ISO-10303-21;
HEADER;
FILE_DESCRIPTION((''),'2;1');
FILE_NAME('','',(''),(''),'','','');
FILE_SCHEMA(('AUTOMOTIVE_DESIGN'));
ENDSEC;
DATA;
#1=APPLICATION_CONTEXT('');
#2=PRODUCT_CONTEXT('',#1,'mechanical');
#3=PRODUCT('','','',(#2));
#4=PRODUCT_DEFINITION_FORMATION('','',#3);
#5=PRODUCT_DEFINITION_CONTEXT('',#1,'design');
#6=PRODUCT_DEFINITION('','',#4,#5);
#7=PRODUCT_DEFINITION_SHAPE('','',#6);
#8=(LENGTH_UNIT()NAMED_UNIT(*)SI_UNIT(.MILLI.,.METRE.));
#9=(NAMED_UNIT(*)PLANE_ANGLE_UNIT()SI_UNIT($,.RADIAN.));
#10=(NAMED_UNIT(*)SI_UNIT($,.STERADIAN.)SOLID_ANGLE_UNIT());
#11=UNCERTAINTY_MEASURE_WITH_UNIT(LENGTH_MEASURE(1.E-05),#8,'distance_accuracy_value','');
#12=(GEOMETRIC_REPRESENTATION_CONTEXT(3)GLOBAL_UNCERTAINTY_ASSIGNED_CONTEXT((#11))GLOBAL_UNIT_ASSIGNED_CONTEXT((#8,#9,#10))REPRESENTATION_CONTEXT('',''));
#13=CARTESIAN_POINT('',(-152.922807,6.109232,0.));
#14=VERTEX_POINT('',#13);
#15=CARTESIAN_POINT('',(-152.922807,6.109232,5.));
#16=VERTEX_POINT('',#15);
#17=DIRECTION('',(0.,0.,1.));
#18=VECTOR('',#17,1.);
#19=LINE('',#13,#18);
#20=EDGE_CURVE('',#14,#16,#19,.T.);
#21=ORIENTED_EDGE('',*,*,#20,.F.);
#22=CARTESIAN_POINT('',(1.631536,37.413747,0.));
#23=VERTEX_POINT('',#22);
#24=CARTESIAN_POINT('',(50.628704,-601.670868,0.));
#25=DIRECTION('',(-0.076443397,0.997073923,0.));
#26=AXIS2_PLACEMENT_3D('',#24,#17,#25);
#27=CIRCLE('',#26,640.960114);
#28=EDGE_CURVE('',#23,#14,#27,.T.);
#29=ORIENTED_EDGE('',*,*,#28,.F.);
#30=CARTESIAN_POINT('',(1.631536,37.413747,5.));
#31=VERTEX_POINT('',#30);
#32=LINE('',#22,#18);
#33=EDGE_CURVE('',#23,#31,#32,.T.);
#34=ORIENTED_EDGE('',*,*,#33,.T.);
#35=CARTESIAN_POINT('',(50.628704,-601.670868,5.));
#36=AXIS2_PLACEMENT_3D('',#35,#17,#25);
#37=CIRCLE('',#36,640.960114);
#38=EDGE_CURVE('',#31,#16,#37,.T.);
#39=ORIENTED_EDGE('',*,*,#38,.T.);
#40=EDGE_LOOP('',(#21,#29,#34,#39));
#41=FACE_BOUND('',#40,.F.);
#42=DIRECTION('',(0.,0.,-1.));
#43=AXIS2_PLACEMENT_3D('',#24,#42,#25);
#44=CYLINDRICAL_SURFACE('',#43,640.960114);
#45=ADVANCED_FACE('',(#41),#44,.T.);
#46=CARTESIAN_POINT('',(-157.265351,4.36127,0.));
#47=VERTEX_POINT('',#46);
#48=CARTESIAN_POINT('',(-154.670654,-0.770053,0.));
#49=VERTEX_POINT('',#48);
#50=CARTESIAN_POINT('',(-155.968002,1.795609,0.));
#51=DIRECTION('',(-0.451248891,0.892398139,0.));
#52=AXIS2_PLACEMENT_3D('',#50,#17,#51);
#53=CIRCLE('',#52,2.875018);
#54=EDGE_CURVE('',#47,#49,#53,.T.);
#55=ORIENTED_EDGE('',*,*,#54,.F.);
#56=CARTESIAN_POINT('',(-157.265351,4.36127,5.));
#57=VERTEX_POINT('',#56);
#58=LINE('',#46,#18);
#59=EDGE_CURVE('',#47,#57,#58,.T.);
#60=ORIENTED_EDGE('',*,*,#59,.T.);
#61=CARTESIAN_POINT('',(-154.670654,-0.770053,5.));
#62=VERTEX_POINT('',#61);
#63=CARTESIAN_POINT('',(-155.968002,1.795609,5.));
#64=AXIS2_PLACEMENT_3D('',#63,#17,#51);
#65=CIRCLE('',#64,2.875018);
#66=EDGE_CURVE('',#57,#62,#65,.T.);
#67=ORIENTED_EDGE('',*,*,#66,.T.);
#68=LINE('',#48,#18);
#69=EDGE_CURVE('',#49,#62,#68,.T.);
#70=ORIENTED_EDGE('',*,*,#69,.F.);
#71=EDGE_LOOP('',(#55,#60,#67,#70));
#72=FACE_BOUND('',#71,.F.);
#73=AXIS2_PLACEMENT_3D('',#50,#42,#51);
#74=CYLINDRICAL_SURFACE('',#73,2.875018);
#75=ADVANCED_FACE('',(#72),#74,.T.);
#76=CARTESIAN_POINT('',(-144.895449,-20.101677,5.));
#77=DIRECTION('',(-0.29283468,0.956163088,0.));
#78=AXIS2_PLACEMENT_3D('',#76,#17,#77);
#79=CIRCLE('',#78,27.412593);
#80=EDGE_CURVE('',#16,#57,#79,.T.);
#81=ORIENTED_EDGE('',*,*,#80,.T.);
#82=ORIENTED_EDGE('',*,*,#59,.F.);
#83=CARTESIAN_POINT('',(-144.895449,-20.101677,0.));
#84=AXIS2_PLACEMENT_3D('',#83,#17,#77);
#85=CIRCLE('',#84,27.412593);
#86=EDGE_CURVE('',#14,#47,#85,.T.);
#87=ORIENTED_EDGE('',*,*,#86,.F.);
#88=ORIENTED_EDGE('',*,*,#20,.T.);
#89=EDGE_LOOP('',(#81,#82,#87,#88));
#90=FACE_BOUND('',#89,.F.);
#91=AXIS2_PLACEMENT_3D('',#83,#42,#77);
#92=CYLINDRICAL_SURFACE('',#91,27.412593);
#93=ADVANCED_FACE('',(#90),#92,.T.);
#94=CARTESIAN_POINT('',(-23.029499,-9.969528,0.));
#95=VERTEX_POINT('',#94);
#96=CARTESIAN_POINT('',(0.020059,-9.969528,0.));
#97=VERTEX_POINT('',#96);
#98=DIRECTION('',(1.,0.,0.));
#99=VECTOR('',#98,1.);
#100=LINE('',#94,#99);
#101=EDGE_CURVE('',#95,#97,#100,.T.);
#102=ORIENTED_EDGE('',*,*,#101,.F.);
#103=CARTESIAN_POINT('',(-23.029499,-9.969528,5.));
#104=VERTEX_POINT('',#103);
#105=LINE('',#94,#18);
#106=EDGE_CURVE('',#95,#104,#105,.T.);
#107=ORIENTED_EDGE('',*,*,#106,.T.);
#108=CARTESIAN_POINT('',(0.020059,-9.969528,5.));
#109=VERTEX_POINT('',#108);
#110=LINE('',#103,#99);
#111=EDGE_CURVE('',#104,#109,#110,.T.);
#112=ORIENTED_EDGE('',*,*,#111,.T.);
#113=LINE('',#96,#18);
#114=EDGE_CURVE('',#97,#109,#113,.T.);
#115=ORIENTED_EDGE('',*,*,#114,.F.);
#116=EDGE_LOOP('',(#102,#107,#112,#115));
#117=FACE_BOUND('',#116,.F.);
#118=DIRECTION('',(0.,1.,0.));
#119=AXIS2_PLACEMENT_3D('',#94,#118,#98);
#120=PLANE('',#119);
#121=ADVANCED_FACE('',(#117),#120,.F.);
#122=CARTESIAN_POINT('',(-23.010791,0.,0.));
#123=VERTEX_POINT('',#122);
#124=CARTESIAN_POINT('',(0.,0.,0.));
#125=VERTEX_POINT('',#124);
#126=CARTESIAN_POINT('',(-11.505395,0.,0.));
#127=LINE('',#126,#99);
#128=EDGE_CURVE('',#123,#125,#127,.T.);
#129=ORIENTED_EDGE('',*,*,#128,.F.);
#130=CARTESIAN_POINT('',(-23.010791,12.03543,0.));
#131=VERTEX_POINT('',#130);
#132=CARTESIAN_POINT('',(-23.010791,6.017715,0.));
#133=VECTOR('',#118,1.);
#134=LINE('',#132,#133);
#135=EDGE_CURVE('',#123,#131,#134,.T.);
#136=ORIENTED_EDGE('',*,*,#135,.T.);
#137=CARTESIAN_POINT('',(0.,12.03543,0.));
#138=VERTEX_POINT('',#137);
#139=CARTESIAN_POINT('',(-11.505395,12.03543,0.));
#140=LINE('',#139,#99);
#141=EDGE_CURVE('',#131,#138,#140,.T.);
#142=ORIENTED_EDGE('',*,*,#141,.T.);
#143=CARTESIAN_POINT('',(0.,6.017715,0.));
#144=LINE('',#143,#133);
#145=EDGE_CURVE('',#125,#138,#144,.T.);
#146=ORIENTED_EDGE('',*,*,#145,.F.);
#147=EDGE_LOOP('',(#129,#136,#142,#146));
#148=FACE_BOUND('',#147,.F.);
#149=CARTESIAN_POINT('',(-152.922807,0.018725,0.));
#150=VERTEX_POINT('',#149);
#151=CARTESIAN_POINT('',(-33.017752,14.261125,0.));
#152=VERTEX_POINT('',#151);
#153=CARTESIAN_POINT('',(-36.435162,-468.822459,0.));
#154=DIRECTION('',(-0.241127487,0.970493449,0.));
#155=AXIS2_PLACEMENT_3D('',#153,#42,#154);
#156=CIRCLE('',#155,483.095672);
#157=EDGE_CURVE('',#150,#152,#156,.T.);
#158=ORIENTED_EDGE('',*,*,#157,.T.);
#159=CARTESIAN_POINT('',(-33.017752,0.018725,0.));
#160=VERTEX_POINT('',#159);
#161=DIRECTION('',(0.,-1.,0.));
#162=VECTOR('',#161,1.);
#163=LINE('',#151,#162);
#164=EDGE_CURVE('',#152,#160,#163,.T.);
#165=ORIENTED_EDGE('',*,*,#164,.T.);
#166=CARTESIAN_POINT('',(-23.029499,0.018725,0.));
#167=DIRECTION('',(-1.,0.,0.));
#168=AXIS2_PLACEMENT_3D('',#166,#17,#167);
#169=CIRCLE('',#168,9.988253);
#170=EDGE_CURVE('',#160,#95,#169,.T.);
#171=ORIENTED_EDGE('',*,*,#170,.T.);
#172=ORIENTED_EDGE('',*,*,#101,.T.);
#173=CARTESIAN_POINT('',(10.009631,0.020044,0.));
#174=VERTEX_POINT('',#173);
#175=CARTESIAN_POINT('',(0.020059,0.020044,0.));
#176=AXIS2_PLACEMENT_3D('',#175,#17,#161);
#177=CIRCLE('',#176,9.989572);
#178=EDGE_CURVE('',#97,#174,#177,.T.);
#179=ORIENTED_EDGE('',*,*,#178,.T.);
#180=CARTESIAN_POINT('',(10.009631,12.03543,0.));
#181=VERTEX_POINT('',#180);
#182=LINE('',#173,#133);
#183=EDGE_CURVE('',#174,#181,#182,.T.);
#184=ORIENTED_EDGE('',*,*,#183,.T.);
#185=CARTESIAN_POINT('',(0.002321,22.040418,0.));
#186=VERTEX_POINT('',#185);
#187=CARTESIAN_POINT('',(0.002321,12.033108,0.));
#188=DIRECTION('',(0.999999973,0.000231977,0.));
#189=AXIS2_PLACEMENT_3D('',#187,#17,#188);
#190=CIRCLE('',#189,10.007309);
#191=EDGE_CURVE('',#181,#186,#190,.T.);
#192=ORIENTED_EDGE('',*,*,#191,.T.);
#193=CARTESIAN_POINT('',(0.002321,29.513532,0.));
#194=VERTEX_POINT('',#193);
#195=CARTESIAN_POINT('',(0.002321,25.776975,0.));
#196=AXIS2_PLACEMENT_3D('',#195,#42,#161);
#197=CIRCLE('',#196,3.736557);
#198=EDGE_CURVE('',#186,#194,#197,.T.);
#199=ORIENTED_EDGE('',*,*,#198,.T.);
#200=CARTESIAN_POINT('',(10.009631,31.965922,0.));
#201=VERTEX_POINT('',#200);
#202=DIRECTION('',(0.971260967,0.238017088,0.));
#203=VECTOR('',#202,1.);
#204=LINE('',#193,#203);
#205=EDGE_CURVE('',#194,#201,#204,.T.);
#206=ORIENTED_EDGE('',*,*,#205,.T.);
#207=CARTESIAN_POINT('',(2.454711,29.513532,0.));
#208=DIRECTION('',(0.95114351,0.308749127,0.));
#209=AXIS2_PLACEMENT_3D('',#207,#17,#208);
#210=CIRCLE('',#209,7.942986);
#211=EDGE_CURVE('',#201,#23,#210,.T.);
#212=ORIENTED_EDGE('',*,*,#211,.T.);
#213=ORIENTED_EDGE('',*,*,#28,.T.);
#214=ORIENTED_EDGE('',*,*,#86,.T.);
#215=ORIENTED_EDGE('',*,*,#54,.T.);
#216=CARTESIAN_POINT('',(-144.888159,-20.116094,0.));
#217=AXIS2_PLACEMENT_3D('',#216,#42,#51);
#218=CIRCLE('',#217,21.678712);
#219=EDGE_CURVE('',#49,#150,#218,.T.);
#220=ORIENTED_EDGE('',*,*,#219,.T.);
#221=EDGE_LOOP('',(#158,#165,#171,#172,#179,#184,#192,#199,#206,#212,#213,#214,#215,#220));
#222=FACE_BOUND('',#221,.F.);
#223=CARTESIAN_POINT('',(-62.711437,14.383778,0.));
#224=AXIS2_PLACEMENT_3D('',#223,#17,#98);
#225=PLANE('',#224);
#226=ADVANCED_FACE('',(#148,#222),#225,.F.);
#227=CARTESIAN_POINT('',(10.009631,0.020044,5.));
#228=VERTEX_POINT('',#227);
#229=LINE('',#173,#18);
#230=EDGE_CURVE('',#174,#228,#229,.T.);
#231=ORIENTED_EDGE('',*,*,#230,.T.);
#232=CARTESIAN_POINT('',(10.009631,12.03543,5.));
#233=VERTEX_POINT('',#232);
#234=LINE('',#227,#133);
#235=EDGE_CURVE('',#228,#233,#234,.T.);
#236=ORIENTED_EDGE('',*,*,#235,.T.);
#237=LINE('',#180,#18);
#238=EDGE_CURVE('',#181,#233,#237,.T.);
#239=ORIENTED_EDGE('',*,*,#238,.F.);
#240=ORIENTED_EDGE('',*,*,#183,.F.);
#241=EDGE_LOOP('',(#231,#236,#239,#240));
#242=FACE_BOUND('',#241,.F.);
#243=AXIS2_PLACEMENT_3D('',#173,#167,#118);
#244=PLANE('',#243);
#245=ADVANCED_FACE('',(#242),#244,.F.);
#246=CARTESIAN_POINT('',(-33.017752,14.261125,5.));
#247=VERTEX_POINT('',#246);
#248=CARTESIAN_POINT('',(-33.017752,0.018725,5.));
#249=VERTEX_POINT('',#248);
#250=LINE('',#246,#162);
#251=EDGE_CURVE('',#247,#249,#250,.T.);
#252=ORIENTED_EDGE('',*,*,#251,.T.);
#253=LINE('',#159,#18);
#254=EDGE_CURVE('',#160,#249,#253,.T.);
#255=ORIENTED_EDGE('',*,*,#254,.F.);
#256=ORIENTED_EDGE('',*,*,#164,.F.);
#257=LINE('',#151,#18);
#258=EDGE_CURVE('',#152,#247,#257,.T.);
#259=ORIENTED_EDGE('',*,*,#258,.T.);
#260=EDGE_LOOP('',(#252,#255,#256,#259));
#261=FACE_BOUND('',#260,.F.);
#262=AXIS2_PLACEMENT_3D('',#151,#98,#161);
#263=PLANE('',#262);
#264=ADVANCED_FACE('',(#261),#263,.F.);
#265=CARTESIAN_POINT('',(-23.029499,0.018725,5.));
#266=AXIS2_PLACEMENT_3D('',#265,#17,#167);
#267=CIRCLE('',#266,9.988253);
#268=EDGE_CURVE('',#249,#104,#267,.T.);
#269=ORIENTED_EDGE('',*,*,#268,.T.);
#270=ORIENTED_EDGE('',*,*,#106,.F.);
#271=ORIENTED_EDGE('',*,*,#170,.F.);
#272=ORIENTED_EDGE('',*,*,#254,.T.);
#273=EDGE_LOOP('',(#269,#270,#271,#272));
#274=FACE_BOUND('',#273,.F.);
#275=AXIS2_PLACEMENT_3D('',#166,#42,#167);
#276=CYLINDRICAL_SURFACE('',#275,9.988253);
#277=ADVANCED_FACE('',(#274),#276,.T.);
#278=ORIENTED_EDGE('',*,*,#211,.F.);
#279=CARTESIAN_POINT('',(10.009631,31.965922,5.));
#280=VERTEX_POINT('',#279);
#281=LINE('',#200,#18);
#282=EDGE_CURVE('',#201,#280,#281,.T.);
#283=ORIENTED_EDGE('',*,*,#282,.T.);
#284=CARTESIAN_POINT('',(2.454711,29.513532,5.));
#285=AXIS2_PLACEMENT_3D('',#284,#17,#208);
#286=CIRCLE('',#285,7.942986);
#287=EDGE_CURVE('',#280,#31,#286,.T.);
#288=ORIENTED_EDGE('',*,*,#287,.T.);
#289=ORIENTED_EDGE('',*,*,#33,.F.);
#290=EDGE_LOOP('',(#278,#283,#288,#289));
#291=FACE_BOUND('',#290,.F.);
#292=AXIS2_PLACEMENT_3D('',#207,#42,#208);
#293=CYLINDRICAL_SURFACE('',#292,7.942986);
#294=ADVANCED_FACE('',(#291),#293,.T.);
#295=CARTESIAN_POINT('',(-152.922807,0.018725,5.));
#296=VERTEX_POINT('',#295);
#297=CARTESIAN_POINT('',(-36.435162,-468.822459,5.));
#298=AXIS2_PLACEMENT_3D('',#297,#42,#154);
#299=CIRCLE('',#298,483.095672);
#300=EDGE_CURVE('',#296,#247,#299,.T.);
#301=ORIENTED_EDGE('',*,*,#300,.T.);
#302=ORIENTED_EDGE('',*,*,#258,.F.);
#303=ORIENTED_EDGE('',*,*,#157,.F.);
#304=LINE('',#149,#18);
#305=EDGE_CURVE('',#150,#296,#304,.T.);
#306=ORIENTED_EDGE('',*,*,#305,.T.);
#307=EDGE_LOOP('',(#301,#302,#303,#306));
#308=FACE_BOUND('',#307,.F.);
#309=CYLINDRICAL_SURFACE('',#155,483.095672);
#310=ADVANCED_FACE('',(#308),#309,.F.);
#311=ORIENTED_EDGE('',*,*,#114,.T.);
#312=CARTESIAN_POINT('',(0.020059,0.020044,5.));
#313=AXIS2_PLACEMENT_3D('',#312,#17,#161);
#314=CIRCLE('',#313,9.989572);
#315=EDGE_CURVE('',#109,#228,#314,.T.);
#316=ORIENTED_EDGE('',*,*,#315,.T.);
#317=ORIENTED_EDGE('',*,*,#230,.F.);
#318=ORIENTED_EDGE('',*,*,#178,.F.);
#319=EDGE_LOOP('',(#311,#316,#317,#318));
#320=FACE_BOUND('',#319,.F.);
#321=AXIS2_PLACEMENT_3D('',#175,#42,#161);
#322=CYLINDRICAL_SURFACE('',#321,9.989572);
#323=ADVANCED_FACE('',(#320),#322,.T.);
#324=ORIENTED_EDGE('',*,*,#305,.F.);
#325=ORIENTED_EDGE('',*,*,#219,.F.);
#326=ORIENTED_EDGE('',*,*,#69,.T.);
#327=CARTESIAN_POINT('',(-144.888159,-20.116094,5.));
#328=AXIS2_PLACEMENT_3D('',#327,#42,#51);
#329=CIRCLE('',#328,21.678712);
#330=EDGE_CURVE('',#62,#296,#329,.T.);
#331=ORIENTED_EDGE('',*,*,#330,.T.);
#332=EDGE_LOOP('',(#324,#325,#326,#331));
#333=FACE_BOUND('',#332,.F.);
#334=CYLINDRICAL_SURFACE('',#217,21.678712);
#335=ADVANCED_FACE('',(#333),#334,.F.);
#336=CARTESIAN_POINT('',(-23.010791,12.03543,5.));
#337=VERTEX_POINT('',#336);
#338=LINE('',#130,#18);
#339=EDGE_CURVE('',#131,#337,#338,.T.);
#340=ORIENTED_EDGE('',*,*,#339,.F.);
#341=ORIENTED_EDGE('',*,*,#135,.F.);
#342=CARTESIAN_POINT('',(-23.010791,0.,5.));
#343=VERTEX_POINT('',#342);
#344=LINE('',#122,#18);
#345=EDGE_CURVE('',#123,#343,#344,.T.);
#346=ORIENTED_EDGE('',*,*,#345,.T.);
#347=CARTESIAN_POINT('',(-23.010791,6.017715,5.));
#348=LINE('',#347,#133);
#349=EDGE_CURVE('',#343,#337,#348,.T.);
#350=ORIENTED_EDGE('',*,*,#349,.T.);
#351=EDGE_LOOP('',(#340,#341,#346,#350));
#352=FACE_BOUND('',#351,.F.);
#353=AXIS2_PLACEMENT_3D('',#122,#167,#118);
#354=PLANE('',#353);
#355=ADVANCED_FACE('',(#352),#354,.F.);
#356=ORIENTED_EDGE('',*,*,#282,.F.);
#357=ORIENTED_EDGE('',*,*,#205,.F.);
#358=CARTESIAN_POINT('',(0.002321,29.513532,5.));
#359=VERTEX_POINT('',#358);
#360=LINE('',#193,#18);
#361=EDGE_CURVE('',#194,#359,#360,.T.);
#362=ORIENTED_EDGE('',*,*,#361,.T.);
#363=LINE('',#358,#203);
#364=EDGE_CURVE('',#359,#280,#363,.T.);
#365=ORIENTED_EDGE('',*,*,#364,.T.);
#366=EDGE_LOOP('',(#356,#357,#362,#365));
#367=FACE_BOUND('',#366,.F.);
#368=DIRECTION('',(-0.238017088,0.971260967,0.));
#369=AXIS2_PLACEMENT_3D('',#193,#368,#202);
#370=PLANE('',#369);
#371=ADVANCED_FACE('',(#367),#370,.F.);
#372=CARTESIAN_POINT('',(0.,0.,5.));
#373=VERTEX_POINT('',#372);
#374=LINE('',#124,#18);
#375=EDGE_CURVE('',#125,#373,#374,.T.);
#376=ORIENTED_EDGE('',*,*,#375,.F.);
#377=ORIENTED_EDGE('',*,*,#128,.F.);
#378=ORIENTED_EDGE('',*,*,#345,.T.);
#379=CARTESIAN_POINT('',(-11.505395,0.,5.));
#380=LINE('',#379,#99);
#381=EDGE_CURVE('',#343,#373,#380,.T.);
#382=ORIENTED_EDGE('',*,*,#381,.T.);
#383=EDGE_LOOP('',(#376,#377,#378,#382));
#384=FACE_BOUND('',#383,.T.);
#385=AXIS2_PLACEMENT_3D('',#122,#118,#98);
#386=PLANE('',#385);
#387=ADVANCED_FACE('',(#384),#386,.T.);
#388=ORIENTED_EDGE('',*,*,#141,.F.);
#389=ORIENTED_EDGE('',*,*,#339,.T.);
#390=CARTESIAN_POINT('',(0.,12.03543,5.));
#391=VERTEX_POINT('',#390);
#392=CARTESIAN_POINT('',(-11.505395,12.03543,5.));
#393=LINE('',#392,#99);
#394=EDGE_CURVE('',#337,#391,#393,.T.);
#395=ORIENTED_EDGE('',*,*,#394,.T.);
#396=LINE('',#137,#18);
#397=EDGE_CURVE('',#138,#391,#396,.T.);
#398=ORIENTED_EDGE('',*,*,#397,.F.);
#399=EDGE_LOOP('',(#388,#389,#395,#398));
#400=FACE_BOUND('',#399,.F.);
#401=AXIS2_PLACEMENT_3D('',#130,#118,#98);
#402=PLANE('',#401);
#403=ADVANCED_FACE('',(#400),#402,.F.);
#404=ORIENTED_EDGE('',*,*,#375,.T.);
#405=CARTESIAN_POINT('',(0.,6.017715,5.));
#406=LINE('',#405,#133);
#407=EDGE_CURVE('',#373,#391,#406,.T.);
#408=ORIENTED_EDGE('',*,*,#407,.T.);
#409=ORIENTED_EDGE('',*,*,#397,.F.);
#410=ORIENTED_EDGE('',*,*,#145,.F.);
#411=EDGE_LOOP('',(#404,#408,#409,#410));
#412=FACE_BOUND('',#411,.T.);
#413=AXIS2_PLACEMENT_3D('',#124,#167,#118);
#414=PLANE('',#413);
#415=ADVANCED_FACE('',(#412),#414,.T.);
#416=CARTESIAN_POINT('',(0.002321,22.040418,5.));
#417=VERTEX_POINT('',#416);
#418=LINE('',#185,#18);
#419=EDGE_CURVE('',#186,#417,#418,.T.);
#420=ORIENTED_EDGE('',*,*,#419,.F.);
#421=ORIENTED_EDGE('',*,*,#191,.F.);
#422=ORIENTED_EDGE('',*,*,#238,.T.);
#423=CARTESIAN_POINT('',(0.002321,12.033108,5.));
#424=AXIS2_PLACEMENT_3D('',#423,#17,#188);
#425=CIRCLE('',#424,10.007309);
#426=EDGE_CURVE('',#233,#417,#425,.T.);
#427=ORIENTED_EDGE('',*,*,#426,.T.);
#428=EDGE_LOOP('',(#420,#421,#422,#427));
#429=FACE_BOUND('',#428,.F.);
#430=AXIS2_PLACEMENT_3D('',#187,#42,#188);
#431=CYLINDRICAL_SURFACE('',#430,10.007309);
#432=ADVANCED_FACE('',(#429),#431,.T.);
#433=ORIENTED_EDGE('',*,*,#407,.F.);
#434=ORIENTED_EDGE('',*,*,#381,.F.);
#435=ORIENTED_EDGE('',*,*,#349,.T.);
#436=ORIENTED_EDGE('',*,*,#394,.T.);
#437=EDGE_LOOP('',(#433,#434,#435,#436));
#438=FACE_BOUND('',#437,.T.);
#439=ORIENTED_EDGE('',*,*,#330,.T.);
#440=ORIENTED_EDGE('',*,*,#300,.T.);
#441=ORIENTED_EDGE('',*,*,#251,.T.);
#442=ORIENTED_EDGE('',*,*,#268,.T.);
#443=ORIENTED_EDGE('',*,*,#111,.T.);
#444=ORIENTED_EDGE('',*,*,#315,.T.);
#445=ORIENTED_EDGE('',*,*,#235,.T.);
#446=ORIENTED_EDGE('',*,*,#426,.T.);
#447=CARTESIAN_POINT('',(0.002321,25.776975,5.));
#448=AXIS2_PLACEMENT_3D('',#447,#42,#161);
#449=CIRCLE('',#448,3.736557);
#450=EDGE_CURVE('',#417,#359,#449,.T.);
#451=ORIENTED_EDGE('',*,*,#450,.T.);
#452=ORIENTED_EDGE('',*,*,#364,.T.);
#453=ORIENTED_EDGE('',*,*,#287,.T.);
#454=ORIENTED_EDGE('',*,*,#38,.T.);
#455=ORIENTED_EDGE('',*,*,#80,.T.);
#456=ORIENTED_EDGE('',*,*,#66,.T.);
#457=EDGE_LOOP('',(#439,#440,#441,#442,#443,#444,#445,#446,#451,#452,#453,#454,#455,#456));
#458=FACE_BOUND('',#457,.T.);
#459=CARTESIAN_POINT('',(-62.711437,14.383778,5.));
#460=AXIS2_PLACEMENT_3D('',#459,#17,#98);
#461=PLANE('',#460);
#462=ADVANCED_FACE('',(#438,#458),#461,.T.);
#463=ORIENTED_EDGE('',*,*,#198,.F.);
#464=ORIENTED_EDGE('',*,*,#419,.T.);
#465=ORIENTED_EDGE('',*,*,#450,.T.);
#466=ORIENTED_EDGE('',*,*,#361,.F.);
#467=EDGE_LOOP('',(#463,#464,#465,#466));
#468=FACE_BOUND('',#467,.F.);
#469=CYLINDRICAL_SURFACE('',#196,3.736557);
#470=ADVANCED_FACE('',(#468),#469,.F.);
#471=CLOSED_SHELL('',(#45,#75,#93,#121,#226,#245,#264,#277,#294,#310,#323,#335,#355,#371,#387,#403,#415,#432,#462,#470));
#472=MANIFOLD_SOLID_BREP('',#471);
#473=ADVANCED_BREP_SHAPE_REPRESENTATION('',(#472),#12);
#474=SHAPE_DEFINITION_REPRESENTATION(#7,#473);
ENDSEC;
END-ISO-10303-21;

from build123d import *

# Parameters (mm, degrees)
SKETCH4_W           = 23.01079085
SKETCH4_H           = 12.035429775
BOSS_EXTRUDE1_DEPTH = 5


with BuildPart() as part:
    # Sketch4 → Boss-Extrude1 (new body)
    with BuildSketch(Plane.XY):
        with BuildLine():
            Line((-23.029498644, -9.969527596), (0.020059035, -9.969527596))
            ThreePointArc((0.020059035, -9.969527596), (7.083752781, -7.043649902), (10.009630666, 0.020043765))
            Line((10.009630666, 0.020043765), (10.009630666, 12.035429505))
            ThreePointArc((10.009630666, 12.035429505), (7.077737043, 19.110165135), (0.00232147, 22.0404175))
            ThreePointArc((0.00232147, 22.0404175), (-3.734235721, 25.776974691), (0.00232147, 29.513531883))
            Line((0.00232147, 29.513531883), (10.009630666, 31.965921786))
            ThreePointArc((10.009630666, 31.965921786), (6.784699168, 36.172527862), (1.631535857, 37.413747311))
            ThreePointArc((1.631535857, 37.413747311), (-76.612020645, 26.532654718), (-152.922807067, 6.10923224))
            ThreePointArc((-152.922807067, 6.10923224), (-155.131459045, 5.328115377), (-157.265351369, 4.361269649))
            ThreePointArc((-157.265351369, 4.361269649), (-158.533663589, 0.498259669), (-154.67065361, -0.770052551))
            ThreePointArc((-154.67065361, -0.770052551), (-153.805456008, -0.356328461), (-152.922807067, 0.018725346))
            ThreePointArc((-152.922807067, 0.018725346), (-93.417009782, 10.900895291), (-33.017751587, 14.261124841))
            Line((-33.017751587, 14.261124841), (-33.017751587, 12.035429775))
            Line((-33.017751587, 12.035429775), (-33.017751587, 0.018725346))
            ThreePointArc((-33.017751587, 0.018725346), (-30.092260032, -7.044036042), (-23.029498644, -9.969527596))
        make_face()
        with Locations((-11.505395425, 6.017714888)):
            Rectangle(SKETCH4_W, SKETCH4_H, mode=Mode.SUBTRACT)
    extrude(amount=BOSS_EXTRUDE1_DEPTH)


solid = part.part
